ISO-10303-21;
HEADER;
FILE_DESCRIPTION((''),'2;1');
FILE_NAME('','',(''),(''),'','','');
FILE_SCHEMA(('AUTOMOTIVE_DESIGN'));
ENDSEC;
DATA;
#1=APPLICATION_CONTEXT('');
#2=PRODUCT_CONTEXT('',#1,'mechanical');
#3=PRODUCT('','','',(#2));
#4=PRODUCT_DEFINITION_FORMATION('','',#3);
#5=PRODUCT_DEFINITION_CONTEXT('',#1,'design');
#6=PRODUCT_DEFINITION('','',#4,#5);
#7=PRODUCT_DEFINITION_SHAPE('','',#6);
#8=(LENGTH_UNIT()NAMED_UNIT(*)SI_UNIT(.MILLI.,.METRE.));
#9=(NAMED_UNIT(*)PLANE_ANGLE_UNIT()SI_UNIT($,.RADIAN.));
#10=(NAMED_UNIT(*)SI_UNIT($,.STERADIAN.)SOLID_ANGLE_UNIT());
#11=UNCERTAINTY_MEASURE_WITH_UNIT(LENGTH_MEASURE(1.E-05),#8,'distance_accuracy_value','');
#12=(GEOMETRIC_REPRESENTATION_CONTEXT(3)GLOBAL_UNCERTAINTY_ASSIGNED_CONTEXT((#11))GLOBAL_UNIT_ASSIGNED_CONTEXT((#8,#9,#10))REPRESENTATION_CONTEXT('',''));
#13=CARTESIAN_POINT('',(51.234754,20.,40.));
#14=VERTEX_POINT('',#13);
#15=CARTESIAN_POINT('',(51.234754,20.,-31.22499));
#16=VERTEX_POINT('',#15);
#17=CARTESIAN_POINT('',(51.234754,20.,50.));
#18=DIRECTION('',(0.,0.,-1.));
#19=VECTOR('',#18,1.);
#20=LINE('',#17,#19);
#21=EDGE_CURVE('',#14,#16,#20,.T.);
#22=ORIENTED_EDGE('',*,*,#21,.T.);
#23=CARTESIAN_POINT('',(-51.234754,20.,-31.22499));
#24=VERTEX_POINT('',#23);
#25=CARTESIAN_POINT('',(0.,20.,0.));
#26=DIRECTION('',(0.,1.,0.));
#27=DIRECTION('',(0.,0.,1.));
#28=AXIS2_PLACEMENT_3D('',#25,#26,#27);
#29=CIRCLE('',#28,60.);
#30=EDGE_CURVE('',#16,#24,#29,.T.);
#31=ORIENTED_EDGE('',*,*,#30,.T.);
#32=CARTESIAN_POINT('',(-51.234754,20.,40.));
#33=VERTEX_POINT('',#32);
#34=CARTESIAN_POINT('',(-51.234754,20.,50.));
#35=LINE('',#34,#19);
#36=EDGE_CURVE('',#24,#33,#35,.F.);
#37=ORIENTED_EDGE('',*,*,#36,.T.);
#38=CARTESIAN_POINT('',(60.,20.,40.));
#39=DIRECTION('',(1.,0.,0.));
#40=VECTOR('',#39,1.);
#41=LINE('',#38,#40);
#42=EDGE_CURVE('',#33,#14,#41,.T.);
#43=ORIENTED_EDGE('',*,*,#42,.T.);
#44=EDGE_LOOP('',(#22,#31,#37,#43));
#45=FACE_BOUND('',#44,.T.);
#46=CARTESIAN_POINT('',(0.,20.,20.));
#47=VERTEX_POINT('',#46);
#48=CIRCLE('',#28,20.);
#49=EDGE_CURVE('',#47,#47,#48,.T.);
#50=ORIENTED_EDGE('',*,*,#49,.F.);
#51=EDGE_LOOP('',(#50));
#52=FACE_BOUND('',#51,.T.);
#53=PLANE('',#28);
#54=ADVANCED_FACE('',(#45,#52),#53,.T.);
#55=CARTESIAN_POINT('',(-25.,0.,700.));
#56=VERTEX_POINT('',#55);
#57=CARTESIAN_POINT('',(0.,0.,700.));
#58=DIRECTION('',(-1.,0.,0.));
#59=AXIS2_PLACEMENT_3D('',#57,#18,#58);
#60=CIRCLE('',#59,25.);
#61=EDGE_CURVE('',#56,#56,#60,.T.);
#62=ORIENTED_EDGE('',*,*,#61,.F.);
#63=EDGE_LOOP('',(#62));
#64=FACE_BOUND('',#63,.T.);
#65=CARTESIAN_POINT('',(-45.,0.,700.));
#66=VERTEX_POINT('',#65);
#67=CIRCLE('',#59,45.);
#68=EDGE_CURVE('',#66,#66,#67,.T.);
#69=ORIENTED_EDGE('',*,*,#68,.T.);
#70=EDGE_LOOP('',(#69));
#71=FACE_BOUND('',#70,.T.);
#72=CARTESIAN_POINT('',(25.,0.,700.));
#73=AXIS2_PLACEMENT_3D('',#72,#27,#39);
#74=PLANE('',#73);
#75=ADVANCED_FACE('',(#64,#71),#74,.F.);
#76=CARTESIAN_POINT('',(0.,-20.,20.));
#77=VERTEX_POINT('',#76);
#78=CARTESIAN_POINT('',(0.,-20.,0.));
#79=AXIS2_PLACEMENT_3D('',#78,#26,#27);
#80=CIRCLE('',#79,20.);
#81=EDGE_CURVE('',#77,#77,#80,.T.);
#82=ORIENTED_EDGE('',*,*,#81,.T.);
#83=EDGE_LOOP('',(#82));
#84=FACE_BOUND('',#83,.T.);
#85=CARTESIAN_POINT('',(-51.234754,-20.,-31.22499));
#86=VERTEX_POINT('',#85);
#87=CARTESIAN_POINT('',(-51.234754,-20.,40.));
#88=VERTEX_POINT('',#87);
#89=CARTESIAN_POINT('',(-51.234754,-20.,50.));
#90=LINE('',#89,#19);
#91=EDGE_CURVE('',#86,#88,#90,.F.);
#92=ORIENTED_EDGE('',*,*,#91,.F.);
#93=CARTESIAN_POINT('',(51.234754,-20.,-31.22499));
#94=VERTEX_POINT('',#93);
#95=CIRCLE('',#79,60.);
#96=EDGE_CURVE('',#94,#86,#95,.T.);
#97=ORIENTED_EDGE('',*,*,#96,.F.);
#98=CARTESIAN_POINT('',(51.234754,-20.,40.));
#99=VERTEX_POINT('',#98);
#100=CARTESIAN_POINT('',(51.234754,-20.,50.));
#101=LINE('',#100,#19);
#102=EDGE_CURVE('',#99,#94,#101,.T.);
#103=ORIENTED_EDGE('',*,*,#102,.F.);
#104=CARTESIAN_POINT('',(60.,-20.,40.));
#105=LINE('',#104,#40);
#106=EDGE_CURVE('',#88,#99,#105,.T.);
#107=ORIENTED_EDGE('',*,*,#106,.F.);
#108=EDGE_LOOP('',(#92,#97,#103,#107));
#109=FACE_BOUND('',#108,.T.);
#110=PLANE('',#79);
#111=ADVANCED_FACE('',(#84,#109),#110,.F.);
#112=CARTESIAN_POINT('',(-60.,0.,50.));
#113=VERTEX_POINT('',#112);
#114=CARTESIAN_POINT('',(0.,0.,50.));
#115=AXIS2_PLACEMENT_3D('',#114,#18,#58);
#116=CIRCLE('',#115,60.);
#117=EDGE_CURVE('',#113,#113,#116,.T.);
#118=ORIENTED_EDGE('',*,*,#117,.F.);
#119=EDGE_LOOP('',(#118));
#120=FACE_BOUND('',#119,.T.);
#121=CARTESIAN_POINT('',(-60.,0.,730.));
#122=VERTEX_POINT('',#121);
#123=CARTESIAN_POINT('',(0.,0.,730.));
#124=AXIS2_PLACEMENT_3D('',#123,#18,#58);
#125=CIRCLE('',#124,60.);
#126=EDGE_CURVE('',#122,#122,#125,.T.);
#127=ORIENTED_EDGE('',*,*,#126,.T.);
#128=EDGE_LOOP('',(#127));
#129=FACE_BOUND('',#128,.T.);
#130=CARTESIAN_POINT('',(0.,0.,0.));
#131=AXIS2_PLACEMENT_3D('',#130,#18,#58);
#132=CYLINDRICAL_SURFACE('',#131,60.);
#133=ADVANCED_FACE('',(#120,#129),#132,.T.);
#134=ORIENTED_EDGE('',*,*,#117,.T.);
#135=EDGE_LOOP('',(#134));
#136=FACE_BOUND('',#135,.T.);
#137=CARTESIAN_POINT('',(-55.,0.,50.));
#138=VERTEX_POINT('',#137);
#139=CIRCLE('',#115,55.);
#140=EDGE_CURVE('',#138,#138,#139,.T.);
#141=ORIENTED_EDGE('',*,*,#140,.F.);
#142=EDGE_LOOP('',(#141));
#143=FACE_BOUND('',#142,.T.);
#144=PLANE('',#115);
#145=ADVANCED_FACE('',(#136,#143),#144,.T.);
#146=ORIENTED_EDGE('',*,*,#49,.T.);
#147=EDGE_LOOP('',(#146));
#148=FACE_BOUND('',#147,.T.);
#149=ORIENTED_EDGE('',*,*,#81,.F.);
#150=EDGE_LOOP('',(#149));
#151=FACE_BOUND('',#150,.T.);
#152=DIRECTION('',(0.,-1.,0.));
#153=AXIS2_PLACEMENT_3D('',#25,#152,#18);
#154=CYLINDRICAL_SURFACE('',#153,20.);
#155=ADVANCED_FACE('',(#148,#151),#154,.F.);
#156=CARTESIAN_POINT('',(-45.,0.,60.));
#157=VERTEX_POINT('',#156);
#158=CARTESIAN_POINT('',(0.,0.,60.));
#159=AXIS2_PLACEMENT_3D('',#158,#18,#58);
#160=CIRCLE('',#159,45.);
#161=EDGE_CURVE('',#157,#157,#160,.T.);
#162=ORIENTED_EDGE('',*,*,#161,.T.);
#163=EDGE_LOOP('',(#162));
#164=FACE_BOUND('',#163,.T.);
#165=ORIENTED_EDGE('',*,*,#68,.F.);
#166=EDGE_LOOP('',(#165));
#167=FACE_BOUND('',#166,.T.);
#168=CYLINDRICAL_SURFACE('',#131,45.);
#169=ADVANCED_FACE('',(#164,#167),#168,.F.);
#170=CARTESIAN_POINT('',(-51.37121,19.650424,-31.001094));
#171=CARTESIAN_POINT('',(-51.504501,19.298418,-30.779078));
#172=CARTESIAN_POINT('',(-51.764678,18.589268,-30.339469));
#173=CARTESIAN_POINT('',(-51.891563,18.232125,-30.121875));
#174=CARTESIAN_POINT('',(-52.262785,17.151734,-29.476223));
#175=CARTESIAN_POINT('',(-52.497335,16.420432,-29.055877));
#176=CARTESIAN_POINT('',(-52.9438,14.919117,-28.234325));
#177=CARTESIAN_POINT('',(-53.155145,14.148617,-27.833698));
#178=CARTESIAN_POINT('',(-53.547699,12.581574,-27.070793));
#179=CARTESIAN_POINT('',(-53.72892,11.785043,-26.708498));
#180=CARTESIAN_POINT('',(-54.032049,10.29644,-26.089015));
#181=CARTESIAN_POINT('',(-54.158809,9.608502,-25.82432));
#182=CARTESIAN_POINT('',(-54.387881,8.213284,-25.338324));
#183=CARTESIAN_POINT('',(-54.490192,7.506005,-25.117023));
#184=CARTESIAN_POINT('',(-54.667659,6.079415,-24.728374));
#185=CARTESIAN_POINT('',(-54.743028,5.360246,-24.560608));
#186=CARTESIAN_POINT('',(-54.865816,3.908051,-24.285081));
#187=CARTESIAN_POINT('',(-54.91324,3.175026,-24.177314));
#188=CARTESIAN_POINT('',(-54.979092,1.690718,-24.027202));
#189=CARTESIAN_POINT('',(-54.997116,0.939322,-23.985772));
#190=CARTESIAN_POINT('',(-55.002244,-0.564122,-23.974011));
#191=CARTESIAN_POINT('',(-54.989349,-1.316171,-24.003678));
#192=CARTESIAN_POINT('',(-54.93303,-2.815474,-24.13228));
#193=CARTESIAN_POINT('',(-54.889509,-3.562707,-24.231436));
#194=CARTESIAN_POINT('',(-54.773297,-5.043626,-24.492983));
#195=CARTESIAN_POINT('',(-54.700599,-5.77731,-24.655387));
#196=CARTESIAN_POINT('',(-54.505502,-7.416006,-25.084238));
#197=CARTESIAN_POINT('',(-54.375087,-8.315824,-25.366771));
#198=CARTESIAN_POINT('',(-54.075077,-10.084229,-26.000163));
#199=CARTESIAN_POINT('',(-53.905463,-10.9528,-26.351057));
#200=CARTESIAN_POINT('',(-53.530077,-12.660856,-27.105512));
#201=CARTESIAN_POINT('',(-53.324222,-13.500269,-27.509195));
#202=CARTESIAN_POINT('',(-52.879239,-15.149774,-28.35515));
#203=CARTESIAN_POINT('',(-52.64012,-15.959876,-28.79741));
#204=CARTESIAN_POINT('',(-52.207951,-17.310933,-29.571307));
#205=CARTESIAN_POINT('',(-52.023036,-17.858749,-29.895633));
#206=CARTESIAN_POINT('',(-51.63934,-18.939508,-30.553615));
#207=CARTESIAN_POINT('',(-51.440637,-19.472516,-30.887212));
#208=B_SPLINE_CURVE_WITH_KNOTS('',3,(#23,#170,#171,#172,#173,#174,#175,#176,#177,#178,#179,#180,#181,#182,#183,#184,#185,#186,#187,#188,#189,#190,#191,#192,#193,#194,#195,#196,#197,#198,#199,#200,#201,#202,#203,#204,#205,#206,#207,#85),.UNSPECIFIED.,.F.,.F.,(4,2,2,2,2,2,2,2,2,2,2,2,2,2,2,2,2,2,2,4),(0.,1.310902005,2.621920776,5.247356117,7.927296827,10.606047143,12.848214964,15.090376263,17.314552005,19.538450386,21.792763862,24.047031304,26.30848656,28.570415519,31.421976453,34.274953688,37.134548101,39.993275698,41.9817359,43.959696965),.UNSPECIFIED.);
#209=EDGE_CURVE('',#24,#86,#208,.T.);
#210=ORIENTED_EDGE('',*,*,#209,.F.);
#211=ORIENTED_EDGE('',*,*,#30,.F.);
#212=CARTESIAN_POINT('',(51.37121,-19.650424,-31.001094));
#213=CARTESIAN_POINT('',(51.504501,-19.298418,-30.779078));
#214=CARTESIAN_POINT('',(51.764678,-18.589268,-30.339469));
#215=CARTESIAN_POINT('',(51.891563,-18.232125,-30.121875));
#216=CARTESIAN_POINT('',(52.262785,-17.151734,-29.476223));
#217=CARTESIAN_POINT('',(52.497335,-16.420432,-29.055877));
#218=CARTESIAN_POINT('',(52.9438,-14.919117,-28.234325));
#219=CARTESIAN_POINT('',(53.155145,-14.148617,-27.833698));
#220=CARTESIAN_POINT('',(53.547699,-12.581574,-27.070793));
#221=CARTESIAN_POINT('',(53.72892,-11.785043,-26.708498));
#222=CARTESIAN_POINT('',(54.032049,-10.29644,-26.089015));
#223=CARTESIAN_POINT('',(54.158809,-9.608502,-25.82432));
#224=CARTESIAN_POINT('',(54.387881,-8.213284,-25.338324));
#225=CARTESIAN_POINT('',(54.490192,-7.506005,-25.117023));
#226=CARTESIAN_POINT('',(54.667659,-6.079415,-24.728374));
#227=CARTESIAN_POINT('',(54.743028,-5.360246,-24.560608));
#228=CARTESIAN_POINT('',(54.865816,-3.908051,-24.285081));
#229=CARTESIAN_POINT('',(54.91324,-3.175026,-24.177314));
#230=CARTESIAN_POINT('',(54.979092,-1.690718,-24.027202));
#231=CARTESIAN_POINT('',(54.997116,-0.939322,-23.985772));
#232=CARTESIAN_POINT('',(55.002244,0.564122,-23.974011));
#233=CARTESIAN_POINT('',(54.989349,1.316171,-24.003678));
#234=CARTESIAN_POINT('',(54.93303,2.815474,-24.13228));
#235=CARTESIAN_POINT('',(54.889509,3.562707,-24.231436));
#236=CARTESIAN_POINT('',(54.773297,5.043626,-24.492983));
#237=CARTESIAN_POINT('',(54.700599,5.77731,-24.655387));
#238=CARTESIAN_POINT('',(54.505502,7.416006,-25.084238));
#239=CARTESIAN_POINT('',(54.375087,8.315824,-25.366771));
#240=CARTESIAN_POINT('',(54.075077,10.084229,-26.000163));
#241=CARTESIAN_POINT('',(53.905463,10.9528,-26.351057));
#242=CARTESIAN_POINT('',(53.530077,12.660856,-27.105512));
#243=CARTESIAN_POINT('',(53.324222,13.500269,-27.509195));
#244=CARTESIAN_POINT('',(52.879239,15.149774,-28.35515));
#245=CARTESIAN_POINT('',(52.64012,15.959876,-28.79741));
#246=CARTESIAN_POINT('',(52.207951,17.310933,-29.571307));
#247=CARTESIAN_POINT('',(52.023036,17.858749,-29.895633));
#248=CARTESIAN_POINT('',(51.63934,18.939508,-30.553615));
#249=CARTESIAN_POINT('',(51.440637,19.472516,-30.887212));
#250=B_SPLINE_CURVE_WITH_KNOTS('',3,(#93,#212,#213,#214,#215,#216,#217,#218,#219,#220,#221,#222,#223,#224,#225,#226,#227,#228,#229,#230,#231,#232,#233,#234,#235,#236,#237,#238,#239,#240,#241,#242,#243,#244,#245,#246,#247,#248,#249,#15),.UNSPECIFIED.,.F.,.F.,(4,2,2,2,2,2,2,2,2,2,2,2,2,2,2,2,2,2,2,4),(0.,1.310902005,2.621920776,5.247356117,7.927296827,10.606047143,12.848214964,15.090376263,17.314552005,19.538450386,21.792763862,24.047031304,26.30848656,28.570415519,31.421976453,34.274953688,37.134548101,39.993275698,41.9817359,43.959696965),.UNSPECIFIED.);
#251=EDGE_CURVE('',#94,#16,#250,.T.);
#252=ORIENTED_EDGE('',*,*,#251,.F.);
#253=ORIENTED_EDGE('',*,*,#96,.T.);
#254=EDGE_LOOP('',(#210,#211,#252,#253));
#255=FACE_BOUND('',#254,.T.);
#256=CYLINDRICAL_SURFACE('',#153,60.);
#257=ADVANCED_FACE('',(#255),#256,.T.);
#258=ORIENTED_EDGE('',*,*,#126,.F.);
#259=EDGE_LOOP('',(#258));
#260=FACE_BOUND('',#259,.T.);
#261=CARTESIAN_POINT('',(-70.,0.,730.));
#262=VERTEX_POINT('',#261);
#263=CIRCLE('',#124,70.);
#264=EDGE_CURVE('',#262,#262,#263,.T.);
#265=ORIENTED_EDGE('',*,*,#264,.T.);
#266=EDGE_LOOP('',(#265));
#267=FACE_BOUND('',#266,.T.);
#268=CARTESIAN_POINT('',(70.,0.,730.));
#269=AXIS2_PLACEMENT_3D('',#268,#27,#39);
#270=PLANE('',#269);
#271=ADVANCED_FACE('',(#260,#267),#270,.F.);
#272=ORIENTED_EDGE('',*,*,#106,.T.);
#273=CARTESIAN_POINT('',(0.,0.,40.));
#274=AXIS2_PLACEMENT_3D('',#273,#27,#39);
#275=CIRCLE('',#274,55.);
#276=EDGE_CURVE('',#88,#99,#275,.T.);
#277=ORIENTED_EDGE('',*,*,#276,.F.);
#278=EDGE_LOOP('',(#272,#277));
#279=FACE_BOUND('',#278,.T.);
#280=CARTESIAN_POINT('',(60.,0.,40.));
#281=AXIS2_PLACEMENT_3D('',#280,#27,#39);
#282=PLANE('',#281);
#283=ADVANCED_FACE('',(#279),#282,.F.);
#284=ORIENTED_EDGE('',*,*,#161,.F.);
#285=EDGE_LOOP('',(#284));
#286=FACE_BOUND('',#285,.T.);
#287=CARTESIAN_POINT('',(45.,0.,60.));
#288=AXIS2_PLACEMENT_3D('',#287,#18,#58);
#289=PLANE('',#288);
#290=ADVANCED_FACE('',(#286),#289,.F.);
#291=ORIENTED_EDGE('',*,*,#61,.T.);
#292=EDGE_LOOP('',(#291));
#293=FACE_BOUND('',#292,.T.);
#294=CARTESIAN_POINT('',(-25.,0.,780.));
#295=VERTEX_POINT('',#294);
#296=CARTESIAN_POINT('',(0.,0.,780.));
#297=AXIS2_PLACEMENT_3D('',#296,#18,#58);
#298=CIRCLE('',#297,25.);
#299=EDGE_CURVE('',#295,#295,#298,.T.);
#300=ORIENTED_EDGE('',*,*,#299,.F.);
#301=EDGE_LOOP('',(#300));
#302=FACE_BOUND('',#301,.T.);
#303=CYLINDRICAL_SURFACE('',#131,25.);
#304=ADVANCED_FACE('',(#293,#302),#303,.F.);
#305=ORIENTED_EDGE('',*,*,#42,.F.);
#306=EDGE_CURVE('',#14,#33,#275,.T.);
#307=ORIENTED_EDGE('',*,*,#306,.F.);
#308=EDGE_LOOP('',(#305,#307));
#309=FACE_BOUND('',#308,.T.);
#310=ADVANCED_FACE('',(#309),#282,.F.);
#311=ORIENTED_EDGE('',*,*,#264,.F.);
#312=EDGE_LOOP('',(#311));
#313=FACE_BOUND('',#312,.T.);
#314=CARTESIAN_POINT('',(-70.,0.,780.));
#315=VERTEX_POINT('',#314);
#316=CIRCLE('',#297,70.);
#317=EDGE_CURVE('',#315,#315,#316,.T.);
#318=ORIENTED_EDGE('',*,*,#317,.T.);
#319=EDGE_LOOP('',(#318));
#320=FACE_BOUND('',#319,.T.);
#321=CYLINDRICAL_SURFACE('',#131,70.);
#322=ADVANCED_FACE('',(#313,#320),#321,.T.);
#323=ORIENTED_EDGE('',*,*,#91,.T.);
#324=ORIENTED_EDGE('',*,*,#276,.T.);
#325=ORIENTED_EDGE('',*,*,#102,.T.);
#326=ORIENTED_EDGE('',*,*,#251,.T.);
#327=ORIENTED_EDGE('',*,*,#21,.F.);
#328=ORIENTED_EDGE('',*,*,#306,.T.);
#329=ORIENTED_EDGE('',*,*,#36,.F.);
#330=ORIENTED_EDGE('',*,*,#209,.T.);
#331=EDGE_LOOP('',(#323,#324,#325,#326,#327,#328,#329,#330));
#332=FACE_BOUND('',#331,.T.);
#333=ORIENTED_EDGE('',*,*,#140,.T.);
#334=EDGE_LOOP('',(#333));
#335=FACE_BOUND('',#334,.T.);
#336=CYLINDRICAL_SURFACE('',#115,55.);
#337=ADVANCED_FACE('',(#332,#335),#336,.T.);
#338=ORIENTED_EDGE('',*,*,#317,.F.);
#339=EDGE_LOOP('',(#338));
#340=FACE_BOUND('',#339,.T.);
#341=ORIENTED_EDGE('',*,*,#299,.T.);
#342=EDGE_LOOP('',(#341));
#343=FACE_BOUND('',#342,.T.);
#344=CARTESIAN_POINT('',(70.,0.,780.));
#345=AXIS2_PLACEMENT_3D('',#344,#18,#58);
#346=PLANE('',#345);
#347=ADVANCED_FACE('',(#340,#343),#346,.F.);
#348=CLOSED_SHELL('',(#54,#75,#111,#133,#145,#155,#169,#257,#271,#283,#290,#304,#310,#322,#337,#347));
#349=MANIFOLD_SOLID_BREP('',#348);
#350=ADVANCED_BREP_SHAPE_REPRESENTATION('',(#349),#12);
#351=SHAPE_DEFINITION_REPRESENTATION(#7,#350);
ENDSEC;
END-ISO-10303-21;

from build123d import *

# Parameters (mm, degrees)
SKETCH2_R               = 20
BOSS_EXTRUDE1_DEPTH     = 20
SKETCH3_R               = 63.245553203
SKETCH3_R_2             = 55
CUT_EXTRUDE1_DEPTH      = 101
CUT_EXTRUDE1_DEPTH_BACK = 10


with BuildPart() as part:
    # Sketch1 → Revolve1 (revolve)
    with BuildSketch(Plane(origin=(0, 0, 0), x_dir=(1, 0, 0), z_dir=(0, 1, 0))):
        Polygon((70, -780), (70, -730), (60, -730), (60, -40), (0, -40), (0, -60), (45, -60), (45, -700), (25, -700), (25, -780), align=None)
    revolve(axis=Axis((0, 0, 0), (0, 0, 1)))

    # Sketch2 → Boss-Extrude1 (add, symmetric)
    with BuildSketch(Plane(origin=(0, 0, 0), x_dir=(1, 0, 0), z_dir=(0, 1, 0))):
        with BuildLine():
            Line((60, -40), (60, 0))
            ThreePointArc((60, 0), (0, 60), (-60, 0))
            Line((-60, 0), (-60, -40))
            Line((-60, -40), (60, -40))
        make_face()
        Circle(SKETCH2_R, mode=Mode.SUBTRACT)
    extrude(amount=BOSS_EXTRUDE1_DEPTH, both=True)

    # Sketch3 → Cut-Extrude1 (cut, two sides)
    with BuildSketch(Plane(origin=(0, 0, 40), x_dir=(-1, 0, 0), z_dir=(0, 0, -1))) as cut_extrude1_sk:
        Circle(SKETCH3_R)
        Circle(SKETCH3_R_2, mode=Mode.SUBTRACT)
    extrude(amount=CUT_EXTRUDE1_DEPTH, mode=Mode.SUBTRACT)
    extrude(cut_extrude1_sk.sketch, amount=-CUT_EXTRUDE1_DEPTH_BACK, mode=Mode.SUBTRACT)


solid = part.part
